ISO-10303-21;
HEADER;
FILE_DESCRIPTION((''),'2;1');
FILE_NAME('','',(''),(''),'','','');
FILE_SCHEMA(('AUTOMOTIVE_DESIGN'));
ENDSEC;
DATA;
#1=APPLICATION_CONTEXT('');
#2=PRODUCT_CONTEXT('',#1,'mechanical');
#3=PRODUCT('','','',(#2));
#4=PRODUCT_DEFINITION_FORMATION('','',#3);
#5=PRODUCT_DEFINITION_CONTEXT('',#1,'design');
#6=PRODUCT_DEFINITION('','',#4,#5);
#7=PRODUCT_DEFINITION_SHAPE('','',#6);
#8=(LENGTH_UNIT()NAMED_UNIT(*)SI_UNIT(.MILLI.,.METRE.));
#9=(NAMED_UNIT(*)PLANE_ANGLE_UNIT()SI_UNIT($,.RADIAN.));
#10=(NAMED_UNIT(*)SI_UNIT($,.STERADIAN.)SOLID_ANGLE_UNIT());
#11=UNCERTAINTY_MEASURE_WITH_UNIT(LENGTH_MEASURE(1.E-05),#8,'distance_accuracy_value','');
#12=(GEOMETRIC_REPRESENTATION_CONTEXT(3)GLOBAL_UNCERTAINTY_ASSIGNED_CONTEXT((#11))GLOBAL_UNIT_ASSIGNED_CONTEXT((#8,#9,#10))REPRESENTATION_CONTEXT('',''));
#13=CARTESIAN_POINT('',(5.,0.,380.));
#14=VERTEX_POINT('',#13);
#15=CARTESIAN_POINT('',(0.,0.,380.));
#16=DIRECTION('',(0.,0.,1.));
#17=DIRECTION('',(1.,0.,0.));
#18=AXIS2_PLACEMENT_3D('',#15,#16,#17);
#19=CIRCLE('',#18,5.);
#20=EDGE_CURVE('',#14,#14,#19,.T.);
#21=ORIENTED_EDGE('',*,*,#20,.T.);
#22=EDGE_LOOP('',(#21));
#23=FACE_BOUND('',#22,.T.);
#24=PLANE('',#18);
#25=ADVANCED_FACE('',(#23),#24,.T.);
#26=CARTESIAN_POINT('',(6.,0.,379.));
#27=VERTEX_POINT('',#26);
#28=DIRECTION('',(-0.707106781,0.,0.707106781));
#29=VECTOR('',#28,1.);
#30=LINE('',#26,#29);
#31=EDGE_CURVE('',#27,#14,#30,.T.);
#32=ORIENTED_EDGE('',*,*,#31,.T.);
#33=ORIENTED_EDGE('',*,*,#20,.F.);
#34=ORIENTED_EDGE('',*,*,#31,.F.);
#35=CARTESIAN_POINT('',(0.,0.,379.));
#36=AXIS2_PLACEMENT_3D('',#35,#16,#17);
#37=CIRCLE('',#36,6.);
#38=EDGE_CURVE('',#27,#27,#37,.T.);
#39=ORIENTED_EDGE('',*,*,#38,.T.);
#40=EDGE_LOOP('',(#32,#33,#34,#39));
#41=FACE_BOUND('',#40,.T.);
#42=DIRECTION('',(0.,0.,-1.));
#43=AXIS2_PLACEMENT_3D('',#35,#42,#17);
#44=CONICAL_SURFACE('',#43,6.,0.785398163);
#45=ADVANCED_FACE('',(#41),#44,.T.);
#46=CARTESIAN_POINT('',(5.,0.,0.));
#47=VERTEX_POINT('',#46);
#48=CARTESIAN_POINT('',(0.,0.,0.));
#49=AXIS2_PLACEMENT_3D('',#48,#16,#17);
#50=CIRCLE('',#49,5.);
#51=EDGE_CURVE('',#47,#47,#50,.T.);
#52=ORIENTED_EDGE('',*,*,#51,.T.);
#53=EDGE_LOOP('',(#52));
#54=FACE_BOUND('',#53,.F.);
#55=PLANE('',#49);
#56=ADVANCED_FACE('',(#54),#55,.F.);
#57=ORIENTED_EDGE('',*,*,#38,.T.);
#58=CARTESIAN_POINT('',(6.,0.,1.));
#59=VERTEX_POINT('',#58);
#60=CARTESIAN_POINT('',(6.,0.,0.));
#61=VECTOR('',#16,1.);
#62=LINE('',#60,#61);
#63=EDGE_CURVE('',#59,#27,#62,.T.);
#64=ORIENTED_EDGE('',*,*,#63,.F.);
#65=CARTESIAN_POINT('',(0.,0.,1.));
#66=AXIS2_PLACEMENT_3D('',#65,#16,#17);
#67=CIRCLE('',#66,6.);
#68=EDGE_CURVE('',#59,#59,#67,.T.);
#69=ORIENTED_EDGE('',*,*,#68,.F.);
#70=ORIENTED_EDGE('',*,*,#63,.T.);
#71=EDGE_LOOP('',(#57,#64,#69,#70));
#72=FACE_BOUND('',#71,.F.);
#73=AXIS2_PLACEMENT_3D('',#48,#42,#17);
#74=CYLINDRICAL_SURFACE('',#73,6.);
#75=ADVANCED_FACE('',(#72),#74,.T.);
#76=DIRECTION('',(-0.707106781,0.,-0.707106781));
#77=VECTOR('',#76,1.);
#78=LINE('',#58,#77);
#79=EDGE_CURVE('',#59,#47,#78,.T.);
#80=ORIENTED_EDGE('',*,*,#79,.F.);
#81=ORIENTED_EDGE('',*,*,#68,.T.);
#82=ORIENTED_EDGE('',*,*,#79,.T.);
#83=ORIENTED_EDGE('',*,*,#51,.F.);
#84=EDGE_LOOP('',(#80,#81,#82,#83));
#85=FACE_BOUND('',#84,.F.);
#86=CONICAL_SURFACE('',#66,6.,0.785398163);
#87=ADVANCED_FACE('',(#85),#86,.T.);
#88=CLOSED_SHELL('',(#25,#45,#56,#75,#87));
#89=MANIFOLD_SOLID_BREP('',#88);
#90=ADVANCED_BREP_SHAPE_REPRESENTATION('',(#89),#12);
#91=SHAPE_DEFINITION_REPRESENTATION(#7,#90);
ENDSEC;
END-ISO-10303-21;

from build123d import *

# Parameters (mm, degrees)
SKETCH_R     = 6
PAD_DEPTH    = 380
CHAMFER_SIZE = 1


with BuildPart() as part:
    # Sketch → Pad (new body)
    with BuildSketch(Plane.XY):
        Circle(SKETCH_R)
    extrude(amount=PAD_DEPTH)

    # Chamfer
    chamfer_edges = [part.edges().sort_by_distance(p)[0] for p in [
        (-6, 0, 0),
        (-6, 0, 380),
    ]]
    chamfer(chamfer_edges, length=CHAMFER_SIZE)


solid = part.part
